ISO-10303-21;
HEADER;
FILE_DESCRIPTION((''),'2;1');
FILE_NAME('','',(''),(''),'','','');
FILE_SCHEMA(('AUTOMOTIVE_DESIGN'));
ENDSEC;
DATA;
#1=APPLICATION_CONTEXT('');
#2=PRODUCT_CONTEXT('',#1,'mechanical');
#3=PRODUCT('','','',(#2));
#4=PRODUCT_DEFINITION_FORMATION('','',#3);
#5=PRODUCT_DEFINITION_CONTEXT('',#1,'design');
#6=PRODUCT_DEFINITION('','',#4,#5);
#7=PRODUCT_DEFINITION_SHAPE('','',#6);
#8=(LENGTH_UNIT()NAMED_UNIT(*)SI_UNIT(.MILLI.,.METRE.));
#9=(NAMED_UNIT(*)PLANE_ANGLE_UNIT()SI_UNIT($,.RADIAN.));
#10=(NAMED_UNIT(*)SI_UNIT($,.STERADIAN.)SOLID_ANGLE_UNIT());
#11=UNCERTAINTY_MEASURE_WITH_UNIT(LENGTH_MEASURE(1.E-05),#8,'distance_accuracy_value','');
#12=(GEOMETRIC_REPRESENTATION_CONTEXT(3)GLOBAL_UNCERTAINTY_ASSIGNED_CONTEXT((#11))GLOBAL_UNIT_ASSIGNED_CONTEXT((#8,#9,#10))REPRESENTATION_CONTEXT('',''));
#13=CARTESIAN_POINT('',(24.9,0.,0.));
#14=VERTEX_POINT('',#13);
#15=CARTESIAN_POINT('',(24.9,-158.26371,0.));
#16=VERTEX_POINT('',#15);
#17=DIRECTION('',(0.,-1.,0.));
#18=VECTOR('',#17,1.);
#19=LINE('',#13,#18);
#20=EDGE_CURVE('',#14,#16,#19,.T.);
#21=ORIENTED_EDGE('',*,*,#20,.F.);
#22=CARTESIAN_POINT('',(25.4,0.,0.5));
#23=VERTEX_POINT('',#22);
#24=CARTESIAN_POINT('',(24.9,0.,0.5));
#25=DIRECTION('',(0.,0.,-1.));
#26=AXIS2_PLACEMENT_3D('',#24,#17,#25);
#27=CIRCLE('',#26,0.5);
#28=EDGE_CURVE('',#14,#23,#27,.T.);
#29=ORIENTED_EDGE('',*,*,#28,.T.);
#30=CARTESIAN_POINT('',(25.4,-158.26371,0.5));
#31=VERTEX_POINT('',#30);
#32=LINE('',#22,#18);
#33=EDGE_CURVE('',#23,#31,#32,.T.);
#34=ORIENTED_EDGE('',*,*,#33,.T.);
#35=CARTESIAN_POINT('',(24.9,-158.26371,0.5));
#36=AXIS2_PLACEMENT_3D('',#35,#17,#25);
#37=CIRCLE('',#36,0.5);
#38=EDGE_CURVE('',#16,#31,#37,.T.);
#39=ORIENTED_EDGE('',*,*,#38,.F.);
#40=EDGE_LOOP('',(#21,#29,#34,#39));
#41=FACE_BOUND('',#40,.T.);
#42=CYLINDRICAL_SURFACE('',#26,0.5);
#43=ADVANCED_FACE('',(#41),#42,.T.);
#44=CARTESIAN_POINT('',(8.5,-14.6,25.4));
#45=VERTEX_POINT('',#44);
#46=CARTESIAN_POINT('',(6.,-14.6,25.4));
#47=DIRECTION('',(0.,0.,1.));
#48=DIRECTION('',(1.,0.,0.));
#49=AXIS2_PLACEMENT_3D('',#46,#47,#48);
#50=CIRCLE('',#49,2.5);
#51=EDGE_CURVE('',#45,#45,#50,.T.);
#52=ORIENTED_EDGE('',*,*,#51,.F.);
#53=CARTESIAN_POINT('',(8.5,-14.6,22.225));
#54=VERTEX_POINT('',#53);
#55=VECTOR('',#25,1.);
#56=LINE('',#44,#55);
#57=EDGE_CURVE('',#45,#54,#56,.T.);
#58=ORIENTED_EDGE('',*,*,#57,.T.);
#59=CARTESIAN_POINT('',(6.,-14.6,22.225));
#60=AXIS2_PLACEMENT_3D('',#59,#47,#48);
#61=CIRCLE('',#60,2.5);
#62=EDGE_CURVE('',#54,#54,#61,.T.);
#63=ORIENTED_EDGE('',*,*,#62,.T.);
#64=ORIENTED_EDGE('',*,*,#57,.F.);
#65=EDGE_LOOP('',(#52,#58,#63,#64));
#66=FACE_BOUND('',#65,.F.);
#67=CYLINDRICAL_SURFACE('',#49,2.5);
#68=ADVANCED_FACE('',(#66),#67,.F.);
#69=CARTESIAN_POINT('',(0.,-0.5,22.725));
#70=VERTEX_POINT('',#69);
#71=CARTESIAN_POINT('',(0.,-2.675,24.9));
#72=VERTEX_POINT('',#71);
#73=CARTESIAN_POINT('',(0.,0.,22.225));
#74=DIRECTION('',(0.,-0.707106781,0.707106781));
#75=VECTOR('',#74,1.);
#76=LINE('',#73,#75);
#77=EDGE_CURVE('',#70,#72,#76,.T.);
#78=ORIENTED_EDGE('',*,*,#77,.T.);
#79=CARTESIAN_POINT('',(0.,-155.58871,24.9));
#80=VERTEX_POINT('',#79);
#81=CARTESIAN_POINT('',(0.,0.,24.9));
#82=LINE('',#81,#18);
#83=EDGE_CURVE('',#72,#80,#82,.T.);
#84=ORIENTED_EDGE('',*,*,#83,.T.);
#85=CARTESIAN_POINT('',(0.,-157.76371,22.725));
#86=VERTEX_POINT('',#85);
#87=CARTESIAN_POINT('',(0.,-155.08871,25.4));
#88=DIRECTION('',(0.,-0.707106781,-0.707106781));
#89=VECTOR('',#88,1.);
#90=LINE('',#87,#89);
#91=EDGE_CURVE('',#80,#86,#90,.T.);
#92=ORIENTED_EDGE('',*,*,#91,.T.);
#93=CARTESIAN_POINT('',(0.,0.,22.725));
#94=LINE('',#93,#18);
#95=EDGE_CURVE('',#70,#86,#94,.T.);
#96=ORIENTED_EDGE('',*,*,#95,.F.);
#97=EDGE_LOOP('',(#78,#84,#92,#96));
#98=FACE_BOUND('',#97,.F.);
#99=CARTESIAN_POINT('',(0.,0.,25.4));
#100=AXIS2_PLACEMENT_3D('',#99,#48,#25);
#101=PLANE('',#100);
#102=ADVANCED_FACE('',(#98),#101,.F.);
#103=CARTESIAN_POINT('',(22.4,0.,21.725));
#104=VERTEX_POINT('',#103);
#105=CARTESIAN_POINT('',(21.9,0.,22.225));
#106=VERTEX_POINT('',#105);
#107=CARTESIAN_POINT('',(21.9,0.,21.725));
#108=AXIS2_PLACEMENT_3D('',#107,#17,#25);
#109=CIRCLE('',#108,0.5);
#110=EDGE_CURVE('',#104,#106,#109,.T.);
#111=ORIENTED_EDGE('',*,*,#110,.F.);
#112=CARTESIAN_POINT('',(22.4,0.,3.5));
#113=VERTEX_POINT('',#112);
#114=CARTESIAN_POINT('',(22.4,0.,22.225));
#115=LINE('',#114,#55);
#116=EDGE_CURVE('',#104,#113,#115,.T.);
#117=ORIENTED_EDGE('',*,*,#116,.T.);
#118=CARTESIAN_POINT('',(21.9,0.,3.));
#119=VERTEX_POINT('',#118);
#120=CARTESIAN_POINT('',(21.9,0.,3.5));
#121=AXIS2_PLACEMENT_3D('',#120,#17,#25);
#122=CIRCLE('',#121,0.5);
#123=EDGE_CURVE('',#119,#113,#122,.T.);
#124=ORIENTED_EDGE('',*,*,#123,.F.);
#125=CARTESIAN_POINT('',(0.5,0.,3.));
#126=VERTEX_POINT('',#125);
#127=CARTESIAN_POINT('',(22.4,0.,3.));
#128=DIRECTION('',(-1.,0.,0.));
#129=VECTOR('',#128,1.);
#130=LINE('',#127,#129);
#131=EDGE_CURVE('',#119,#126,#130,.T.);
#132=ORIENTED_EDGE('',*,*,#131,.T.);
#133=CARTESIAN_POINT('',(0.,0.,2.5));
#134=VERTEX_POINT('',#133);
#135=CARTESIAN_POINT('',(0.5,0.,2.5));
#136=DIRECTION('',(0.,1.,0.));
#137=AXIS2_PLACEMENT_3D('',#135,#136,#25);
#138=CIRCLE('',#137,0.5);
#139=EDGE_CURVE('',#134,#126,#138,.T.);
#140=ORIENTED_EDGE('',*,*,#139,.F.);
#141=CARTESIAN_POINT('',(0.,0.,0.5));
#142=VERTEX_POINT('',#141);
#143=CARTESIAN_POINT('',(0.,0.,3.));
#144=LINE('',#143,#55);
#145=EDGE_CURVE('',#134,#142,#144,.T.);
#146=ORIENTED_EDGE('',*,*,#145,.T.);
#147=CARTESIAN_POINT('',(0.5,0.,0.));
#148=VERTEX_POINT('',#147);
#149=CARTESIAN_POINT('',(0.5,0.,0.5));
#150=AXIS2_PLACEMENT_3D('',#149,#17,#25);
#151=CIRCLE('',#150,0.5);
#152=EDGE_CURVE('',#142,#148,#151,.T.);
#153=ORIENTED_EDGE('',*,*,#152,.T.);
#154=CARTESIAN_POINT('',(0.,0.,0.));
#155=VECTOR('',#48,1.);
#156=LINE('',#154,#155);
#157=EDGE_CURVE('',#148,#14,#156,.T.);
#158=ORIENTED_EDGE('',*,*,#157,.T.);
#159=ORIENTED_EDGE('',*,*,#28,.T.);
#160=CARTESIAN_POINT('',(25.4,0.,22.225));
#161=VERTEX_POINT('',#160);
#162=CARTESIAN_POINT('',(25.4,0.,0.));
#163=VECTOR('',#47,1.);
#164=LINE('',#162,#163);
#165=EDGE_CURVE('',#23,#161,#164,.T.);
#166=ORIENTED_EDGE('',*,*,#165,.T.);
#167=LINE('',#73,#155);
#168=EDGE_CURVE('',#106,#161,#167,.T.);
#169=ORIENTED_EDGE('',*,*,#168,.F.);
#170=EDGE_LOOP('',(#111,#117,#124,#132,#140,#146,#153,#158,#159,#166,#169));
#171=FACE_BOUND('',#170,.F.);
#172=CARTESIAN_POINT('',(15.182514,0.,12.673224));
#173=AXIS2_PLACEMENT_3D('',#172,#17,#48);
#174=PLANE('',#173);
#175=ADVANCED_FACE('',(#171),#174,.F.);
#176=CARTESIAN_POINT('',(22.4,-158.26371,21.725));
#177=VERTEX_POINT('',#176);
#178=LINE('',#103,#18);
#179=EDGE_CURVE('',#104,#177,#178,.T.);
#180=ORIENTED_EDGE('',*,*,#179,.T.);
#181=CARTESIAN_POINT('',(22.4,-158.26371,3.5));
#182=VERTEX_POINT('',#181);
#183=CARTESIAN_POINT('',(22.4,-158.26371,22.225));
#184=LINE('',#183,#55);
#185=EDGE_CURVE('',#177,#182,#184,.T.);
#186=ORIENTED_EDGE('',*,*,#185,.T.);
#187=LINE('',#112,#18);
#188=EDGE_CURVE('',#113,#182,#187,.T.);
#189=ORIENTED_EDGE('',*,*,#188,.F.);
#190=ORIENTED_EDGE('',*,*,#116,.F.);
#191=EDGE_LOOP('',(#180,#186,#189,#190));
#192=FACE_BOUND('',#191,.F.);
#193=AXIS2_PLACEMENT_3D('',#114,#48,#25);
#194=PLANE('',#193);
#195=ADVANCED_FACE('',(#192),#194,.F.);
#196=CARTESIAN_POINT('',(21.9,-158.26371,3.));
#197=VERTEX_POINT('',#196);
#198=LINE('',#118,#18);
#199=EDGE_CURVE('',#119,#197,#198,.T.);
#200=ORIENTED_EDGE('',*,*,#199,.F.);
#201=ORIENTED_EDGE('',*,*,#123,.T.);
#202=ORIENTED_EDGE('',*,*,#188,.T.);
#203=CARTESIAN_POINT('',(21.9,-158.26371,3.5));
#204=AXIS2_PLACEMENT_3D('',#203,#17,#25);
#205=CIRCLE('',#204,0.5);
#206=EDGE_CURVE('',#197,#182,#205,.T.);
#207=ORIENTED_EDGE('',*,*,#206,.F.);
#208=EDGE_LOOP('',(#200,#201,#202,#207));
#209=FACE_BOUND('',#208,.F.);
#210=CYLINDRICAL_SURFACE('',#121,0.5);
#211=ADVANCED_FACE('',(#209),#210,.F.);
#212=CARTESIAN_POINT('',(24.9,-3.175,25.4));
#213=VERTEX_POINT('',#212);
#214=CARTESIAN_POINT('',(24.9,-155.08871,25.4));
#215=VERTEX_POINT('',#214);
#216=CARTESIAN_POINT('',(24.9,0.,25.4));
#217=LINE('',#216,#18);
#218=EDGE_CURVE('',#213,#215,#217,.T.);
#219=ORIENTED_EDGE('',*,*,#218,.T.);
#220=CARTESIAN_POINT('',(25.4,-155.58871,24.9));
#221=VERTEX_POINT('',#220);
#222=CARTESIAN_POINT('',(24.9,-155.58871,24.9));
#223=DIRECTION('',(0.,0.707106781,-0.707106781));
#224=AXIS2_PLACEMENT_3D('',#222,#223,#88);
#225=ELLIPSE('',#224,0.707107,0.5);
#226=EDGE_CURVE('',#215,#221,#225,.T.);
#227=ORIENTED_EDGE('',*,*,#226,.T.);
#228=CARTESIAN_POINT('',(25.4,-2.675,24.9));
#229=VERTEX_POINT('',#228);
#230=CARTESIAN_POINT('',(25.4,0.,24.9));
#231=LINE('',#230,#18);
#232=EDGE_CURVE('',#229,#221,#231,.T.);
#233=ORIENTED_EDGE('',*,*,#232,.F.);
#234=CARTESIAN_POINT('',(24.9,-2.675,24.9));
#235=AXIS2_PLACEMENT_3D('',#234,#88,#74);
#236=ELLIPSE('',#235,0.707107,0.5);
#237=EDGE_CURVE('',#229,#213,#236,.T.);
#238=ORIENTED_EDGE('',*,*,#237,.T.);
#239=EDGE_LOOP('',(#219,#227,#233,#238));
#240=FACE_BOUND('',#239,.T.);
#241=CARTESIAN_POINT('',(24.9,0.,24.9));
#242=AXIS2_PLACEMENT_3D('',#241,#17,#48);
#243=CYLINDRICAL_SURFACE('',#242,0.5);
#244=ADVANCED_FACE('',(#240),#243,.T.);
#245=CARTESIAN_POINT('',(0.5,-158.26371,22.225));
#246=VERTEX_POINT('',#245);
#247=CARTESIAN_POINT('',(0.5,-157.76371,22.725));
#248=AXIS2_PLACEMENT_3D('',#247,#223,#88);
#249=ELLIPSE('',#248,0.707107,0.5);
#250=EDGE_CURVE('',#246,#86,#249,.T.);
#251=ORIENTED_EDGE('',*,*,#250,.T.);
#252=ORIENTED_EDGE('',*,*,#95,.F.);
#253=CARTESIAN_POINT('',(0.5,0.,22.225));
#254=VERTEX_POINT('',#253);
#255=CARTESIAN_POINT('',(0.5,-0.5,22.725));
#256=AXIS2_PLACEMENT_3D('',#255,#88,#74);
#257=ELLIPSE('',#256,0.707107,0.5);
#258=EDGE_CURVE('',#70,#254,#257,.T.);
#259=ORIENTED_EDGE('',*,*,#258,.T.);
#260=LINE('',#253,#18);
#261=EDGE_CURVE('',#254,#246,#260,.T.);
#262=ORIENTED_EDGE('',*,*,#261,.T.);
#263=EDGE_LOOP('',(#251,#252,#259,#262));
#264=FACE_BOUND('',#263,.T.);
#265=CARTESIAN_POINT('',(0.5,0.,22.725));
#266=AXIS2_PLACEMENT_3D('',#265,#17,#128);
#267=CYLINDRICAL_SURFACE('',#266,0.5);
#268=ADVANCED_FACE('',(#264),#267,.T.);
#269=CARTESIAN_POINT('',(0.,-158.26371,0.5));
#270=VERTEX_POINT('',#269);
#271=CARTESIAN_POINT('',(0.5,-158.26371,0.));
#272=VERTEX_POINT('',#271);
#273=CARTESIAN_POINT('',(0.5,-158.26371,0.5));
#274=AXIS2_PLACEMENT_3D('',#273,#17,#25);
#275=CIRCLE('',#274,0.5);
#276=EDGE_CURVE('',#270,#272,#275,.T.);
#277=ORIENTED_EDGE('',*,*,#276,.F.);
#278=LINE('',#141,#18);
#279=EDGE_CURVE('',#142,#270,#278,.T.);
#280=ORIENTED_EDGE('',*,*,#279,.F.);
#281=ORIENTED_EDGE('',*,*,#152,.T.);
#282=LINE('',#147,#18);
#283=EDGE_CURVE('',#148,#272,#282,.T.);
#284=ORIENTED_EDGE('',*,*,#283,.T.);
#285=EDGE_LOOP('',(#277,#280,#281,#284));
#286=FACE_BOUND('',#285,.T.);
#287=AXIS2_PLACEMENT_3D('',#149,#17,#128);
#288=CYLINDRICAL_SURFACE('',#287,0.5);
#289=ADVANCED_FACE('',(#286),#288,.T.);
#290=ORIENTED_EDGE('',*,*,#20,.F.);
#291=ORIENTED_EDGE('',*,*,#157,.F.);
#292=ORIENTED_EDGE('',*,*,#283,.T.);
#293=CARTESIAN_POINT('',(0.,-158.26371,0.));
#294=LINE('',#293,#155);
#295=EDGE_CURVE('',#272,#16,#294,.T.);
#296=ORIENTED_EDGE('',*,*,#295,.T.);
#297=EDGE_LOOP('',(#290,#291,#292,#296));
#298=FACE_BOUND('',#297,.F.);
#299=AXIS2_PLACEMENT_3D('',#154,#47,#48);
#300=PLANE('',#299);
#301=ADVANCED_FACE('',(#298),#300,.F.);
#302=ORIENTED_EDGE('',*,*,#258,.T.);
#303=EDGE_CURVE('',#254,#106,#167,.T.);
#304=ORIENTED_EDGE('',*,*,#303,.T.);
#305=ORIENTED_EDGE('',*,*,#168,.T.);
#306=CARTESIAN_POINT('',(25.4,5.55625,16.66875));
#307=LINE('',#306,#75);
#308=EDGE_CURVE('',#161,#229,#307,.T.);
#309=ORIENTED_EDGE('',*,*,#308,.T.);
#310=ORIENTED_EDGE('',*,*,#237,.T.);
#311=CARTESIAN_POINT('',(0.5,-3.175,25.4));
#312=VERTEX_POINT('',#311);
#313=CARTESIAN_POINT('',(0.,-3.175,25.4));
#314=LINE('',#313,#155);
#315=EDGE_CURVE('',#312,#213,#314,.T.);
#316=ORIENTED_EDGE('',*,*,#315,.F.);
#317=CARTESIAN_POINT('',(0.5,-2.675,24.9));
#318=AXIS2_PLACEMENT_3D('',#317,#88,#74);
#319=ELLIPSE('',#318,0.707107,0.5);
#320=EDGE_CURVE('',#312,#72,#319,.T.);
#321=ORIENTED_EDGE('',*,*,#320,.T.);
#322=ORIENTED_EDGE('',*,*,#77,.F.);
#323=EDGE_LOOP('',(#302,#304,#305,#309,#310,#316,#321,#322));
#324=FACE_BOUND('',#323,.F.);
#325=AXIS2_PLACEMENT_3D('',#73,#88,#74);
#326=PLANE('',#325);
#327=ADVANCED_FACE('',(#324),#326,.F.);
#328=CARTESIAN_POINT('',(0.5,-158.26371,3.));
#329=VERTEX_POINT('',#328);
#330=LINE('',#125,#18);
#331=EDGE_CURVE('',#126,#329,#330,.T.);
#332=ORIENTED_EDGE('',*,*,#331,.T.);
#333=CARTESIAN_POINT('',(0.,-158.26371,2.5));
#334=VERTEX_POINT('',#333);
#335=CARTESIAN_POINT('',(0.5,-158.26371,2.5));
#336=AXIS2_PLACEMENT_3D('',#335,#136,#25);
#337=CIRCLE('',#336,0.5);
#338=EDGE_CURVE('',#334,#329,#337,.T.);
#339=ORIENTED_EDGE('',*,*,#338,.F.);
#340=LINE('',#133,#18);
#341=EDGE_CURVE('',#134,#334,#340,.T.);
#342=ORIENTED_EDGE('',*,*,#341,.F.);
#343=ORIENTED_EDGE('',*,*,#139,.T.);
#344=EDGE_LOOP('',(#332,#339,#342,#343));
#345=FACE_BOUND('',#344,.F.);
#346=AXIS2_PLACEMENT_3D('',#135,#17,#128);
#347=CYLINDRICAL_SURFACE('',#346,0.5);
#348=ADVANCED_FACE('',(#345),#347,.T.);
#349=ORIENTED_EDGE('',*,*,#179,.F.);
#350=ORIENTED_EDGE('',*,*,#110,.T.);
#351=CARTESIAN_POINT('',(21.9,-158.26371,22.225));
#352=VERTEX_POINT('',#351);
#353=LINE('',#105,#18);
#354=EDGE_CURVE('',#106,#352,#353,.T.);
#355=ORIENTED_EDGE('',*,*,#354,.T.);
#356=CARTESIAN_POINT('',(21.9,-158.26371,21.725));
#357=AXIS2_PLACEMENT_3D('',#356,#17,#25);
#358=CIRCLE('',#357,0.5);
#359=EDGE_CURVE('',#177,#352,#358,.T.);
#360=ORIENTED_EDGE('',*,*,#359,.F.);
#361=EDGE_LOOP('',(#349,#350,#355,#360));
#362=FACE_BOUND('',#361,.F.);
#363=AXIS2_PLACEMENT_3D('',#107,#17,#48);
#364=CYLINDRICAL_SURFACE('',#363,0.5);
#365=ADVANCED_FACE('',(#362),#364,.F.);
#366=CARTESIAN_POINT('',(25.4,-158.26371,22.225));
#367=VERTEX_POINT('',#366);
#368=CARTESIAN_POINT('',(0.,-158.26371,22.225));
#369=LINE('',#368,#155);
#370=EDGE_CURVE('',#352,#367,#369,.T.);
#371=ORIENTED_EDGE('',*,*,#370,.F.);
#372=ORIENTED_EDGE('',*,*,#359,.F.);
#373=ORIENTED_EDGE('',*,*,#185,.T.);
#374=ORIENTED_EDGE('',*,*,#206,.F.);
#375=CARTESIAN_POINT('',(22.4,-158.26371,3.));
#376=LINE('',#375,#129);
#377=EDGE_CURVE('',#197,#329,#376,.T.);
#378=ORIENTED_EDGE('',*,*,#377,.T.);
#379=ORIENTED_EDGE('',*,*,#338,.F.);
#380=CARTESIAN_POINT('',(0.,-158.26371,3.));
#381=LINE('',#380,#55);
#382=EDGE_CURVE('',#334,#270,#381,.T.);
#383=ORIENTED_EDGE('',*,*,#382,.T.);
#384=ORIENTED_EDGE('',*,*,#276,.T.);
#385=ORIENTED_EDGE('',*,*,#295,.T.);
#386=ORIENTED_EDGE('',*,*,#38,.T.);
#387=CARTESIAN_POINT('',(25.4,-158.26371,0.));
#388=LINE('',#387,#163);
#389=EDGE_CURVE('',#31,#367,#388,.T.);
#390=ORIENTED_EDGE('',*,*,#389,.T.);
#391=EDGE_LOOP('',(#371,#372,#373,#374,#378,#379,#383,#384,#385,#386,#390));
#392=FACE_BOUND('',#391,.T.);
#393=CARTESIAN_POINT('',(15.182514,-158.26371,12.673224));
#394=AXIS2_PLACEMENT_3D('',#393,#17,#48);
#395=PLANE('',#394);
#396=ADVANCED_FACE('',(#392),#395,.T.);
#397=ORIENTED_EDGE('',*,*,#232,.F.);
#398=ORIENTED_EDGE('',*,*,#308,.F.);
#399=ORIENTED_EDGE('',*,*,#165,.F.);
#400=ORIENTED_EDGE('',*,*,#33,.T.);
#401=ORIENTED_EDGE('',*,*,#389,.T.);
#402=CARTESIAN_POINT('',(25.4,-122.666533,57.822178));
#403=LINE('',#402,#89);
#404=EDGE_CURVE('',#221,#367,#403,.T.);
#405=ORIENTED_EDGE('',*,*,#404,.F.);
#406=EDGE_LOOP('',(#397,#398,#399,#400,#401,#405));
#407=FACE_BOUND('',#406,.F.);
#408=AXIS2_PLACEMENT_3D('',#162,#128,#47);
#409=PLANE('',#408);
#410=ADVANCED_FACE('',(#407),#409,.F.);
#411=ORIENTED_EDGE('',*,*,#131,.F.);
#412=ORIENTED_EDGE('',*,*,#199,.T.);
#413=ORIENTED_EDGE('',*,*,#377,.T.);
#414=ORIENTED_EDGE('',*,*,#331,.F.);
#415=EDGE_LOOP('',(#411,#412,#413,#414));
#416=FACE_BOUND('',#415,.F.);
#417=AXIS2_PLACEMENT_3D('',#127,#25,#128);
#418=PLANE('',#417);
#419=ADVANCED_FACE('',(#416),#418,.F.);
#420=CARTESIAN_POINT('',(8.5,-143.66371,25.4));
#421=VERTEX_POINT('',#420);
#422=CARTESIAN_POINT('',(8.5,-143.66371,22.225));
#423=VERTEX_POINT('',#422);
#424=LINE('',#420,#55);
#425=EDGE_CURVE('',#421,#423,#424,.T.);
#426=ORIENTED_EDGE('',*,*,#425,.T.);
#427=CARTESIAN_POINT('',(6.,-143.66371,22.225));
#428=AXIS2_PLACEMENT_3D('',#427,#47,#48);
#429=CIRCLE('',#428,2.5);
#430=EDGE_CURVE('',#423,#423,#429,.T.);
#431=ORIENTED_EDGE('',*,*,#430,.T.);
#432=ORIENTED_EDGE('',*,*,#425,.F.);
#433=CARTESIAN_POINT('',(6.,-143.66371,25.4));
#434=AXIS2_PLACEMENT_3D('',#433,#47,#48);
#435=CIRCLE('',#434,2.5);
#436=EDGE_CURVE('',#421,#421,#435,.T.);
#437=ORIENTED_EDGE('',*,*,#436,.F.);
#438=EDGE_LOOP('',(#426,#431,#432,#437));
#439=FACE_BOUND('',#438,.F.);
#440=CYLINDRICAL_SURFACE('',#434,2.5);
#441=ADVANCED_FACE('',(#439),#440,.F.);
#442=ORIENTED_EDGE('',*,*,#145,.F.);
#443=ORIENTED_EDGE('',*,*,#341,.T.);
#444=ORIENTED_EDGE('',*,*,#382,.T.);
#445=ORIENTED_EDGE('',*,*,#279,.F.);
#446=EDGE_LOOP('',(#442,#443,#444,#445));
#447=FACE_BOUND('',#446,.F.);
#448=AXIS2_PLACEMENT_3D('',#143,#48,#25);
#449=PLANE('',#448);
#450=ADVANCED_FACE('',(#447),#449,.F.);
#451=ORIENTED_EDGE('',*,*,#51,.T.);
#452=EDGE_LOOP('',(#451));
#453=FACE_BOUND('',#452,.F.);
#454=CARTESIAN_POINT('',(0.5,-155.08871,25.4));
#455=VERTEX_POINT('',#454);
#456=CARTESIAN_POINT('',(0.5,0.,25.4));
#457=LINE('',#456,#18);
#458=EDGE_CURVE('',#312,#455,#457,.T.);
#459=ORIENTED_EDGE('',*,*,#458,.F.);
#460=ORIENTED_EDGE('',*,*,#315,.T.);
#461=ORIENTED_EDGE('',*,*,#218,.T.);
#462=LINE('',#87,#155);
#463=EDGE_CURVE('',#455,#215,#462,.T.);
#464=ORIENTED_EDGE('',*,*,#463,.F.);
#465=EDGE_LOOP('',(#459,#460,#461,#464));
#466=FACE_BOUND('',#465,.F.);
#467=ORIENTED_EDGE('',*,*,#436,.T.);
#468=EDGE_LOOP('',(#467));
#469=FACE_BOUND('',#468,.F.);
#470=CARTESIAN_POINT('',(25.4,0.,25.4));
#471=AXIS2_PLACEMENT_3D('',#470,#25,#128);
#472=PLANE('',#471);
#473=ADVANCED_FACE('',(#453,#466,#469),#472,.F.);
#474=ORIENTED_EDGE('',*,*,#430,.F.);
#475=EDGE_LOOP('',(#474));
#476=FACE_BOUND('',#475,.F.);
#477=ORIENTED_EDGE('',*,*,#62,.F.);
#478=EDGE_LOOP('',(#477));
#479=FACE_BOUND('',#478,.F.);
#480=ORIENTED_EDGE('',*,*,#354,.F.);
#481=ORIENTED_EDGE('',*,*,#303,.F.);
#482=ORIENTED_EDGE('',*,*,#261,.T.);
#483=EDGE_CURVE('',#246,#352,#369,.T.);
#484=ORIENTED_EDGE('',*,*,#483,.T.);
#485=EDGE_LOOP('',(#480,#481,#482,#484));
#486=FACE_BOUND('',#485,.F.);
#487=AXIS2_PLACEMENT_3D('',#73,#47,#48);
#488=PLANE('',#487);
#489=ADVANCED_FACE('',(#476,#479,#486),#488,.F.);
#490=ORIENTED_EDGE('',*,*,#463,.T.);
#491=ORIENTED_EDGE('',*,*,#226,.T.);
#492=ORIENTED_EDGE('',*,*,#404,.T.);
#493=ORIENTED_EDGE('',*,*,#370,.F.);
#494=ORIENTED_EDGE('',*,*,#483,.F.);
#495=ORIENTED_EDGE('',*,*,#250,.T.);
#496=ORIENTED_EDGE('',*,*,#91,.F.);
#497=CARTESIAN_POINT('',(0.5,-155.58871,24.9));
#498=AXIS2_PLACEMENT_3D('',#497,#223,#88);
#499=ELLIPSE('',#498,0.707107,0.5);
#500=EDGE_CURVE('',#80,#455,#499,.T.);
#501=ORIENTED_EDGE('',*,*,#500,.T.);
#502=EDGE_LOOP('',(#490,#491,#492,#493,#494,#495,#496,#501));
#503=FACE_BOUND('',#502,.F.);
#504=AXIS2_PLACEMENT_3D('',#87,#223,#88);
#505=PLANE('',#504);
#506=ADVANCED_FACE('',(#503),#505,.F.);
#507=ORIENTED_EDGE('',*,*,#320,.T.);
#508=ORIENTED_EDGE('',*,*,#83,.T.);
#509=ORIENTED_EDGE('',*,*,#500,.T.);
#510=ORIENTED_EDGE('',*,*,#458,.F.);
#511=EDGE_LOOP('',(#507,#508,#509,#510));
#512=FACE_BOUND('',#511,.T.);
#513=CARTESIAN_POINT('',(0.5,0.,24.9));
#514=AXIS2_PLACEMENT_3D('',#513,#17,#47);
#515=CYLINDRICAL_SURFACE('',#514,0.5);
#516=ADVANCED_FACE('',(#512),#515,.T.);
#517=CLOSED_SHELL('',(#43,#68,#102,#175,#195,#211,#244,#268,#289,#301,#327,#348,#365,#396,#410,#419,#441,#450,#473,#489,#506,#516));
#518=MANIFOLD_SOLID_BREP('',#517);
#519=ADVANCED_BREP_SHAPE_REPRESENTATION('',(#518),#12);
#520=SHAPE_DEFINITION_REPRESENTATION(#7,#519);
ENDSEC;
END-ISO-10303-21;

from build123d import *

# Parameters (mm, degrees)
F1_DEPTH = 158.26371
F2_R     = 2.5
F3_DEPTH = 5
F4_R     = 0.5
F6_DEPTH = 25.401


with BuildPart() as f1:
    # F0 (on Front) → F1 (new body)
    with BuildSketch(Plane.XZ):
        Polygon((0, 3), (0, 0), (25.4, 0), (25.4, 25.4), (0, 25.4), (0, 22.225), (22.4, 22.225), (22.4, 3), align=None)
    extrude(amount=F1_DEPTH)

    # F2 (on face) → F3 (cut)
    with BuildSketch(Plane.XY.offset(25.4)):
        with Locations((6, -14.6)):
            Circle(F2_R)
        with Locations((6, -143.66371)):
            Circle(F2_R)
        with Locations((6, -243.66371)):
            Circle(F2_R)
        with Locations((6, -343.66371)):
            Circle(F2_R)
        with Locations((6, -443.66371)):
            Circle(F2_R)
    extrude(amount=-F3_DEPTH, mode=Mode.SUBTRACT)

    # F4
    f4_edges = [f1.edges().sort_by_distance(p)[0] for p in [
        (0, -79.131855, 25.4),
        (0, -79.131855, 22.225),
        (25.4, -79.131855, 25.4),
        (22.4, -79.131855, 3),
        (0, -79.131855, 3),
        (0, -79.131855, 0),
        (22.4, -79.131855, 22.225),
        (25.4, -79.131855, 0),
    ]]
    fillet(f4_edges, radius=F4_R)

    # F5 (on face) → F6 (cut, through all)
    with BuildSketch(Plane(origin=(0, 0, 0), x_dir=(0, -1, 0), z_dir=(-1, 0, 0))):
        Polygon((0, 25.4), (0, 22.225), (3.175, 25.4), align=None)
        Polygon((155.08871, 25.4), (158.26371, 22.225), (158.26371, 25.4), align=None)
    extrude(amount=-F6_DEPTH, mode=Mode.SUBTRACT)


solid = f1.part
